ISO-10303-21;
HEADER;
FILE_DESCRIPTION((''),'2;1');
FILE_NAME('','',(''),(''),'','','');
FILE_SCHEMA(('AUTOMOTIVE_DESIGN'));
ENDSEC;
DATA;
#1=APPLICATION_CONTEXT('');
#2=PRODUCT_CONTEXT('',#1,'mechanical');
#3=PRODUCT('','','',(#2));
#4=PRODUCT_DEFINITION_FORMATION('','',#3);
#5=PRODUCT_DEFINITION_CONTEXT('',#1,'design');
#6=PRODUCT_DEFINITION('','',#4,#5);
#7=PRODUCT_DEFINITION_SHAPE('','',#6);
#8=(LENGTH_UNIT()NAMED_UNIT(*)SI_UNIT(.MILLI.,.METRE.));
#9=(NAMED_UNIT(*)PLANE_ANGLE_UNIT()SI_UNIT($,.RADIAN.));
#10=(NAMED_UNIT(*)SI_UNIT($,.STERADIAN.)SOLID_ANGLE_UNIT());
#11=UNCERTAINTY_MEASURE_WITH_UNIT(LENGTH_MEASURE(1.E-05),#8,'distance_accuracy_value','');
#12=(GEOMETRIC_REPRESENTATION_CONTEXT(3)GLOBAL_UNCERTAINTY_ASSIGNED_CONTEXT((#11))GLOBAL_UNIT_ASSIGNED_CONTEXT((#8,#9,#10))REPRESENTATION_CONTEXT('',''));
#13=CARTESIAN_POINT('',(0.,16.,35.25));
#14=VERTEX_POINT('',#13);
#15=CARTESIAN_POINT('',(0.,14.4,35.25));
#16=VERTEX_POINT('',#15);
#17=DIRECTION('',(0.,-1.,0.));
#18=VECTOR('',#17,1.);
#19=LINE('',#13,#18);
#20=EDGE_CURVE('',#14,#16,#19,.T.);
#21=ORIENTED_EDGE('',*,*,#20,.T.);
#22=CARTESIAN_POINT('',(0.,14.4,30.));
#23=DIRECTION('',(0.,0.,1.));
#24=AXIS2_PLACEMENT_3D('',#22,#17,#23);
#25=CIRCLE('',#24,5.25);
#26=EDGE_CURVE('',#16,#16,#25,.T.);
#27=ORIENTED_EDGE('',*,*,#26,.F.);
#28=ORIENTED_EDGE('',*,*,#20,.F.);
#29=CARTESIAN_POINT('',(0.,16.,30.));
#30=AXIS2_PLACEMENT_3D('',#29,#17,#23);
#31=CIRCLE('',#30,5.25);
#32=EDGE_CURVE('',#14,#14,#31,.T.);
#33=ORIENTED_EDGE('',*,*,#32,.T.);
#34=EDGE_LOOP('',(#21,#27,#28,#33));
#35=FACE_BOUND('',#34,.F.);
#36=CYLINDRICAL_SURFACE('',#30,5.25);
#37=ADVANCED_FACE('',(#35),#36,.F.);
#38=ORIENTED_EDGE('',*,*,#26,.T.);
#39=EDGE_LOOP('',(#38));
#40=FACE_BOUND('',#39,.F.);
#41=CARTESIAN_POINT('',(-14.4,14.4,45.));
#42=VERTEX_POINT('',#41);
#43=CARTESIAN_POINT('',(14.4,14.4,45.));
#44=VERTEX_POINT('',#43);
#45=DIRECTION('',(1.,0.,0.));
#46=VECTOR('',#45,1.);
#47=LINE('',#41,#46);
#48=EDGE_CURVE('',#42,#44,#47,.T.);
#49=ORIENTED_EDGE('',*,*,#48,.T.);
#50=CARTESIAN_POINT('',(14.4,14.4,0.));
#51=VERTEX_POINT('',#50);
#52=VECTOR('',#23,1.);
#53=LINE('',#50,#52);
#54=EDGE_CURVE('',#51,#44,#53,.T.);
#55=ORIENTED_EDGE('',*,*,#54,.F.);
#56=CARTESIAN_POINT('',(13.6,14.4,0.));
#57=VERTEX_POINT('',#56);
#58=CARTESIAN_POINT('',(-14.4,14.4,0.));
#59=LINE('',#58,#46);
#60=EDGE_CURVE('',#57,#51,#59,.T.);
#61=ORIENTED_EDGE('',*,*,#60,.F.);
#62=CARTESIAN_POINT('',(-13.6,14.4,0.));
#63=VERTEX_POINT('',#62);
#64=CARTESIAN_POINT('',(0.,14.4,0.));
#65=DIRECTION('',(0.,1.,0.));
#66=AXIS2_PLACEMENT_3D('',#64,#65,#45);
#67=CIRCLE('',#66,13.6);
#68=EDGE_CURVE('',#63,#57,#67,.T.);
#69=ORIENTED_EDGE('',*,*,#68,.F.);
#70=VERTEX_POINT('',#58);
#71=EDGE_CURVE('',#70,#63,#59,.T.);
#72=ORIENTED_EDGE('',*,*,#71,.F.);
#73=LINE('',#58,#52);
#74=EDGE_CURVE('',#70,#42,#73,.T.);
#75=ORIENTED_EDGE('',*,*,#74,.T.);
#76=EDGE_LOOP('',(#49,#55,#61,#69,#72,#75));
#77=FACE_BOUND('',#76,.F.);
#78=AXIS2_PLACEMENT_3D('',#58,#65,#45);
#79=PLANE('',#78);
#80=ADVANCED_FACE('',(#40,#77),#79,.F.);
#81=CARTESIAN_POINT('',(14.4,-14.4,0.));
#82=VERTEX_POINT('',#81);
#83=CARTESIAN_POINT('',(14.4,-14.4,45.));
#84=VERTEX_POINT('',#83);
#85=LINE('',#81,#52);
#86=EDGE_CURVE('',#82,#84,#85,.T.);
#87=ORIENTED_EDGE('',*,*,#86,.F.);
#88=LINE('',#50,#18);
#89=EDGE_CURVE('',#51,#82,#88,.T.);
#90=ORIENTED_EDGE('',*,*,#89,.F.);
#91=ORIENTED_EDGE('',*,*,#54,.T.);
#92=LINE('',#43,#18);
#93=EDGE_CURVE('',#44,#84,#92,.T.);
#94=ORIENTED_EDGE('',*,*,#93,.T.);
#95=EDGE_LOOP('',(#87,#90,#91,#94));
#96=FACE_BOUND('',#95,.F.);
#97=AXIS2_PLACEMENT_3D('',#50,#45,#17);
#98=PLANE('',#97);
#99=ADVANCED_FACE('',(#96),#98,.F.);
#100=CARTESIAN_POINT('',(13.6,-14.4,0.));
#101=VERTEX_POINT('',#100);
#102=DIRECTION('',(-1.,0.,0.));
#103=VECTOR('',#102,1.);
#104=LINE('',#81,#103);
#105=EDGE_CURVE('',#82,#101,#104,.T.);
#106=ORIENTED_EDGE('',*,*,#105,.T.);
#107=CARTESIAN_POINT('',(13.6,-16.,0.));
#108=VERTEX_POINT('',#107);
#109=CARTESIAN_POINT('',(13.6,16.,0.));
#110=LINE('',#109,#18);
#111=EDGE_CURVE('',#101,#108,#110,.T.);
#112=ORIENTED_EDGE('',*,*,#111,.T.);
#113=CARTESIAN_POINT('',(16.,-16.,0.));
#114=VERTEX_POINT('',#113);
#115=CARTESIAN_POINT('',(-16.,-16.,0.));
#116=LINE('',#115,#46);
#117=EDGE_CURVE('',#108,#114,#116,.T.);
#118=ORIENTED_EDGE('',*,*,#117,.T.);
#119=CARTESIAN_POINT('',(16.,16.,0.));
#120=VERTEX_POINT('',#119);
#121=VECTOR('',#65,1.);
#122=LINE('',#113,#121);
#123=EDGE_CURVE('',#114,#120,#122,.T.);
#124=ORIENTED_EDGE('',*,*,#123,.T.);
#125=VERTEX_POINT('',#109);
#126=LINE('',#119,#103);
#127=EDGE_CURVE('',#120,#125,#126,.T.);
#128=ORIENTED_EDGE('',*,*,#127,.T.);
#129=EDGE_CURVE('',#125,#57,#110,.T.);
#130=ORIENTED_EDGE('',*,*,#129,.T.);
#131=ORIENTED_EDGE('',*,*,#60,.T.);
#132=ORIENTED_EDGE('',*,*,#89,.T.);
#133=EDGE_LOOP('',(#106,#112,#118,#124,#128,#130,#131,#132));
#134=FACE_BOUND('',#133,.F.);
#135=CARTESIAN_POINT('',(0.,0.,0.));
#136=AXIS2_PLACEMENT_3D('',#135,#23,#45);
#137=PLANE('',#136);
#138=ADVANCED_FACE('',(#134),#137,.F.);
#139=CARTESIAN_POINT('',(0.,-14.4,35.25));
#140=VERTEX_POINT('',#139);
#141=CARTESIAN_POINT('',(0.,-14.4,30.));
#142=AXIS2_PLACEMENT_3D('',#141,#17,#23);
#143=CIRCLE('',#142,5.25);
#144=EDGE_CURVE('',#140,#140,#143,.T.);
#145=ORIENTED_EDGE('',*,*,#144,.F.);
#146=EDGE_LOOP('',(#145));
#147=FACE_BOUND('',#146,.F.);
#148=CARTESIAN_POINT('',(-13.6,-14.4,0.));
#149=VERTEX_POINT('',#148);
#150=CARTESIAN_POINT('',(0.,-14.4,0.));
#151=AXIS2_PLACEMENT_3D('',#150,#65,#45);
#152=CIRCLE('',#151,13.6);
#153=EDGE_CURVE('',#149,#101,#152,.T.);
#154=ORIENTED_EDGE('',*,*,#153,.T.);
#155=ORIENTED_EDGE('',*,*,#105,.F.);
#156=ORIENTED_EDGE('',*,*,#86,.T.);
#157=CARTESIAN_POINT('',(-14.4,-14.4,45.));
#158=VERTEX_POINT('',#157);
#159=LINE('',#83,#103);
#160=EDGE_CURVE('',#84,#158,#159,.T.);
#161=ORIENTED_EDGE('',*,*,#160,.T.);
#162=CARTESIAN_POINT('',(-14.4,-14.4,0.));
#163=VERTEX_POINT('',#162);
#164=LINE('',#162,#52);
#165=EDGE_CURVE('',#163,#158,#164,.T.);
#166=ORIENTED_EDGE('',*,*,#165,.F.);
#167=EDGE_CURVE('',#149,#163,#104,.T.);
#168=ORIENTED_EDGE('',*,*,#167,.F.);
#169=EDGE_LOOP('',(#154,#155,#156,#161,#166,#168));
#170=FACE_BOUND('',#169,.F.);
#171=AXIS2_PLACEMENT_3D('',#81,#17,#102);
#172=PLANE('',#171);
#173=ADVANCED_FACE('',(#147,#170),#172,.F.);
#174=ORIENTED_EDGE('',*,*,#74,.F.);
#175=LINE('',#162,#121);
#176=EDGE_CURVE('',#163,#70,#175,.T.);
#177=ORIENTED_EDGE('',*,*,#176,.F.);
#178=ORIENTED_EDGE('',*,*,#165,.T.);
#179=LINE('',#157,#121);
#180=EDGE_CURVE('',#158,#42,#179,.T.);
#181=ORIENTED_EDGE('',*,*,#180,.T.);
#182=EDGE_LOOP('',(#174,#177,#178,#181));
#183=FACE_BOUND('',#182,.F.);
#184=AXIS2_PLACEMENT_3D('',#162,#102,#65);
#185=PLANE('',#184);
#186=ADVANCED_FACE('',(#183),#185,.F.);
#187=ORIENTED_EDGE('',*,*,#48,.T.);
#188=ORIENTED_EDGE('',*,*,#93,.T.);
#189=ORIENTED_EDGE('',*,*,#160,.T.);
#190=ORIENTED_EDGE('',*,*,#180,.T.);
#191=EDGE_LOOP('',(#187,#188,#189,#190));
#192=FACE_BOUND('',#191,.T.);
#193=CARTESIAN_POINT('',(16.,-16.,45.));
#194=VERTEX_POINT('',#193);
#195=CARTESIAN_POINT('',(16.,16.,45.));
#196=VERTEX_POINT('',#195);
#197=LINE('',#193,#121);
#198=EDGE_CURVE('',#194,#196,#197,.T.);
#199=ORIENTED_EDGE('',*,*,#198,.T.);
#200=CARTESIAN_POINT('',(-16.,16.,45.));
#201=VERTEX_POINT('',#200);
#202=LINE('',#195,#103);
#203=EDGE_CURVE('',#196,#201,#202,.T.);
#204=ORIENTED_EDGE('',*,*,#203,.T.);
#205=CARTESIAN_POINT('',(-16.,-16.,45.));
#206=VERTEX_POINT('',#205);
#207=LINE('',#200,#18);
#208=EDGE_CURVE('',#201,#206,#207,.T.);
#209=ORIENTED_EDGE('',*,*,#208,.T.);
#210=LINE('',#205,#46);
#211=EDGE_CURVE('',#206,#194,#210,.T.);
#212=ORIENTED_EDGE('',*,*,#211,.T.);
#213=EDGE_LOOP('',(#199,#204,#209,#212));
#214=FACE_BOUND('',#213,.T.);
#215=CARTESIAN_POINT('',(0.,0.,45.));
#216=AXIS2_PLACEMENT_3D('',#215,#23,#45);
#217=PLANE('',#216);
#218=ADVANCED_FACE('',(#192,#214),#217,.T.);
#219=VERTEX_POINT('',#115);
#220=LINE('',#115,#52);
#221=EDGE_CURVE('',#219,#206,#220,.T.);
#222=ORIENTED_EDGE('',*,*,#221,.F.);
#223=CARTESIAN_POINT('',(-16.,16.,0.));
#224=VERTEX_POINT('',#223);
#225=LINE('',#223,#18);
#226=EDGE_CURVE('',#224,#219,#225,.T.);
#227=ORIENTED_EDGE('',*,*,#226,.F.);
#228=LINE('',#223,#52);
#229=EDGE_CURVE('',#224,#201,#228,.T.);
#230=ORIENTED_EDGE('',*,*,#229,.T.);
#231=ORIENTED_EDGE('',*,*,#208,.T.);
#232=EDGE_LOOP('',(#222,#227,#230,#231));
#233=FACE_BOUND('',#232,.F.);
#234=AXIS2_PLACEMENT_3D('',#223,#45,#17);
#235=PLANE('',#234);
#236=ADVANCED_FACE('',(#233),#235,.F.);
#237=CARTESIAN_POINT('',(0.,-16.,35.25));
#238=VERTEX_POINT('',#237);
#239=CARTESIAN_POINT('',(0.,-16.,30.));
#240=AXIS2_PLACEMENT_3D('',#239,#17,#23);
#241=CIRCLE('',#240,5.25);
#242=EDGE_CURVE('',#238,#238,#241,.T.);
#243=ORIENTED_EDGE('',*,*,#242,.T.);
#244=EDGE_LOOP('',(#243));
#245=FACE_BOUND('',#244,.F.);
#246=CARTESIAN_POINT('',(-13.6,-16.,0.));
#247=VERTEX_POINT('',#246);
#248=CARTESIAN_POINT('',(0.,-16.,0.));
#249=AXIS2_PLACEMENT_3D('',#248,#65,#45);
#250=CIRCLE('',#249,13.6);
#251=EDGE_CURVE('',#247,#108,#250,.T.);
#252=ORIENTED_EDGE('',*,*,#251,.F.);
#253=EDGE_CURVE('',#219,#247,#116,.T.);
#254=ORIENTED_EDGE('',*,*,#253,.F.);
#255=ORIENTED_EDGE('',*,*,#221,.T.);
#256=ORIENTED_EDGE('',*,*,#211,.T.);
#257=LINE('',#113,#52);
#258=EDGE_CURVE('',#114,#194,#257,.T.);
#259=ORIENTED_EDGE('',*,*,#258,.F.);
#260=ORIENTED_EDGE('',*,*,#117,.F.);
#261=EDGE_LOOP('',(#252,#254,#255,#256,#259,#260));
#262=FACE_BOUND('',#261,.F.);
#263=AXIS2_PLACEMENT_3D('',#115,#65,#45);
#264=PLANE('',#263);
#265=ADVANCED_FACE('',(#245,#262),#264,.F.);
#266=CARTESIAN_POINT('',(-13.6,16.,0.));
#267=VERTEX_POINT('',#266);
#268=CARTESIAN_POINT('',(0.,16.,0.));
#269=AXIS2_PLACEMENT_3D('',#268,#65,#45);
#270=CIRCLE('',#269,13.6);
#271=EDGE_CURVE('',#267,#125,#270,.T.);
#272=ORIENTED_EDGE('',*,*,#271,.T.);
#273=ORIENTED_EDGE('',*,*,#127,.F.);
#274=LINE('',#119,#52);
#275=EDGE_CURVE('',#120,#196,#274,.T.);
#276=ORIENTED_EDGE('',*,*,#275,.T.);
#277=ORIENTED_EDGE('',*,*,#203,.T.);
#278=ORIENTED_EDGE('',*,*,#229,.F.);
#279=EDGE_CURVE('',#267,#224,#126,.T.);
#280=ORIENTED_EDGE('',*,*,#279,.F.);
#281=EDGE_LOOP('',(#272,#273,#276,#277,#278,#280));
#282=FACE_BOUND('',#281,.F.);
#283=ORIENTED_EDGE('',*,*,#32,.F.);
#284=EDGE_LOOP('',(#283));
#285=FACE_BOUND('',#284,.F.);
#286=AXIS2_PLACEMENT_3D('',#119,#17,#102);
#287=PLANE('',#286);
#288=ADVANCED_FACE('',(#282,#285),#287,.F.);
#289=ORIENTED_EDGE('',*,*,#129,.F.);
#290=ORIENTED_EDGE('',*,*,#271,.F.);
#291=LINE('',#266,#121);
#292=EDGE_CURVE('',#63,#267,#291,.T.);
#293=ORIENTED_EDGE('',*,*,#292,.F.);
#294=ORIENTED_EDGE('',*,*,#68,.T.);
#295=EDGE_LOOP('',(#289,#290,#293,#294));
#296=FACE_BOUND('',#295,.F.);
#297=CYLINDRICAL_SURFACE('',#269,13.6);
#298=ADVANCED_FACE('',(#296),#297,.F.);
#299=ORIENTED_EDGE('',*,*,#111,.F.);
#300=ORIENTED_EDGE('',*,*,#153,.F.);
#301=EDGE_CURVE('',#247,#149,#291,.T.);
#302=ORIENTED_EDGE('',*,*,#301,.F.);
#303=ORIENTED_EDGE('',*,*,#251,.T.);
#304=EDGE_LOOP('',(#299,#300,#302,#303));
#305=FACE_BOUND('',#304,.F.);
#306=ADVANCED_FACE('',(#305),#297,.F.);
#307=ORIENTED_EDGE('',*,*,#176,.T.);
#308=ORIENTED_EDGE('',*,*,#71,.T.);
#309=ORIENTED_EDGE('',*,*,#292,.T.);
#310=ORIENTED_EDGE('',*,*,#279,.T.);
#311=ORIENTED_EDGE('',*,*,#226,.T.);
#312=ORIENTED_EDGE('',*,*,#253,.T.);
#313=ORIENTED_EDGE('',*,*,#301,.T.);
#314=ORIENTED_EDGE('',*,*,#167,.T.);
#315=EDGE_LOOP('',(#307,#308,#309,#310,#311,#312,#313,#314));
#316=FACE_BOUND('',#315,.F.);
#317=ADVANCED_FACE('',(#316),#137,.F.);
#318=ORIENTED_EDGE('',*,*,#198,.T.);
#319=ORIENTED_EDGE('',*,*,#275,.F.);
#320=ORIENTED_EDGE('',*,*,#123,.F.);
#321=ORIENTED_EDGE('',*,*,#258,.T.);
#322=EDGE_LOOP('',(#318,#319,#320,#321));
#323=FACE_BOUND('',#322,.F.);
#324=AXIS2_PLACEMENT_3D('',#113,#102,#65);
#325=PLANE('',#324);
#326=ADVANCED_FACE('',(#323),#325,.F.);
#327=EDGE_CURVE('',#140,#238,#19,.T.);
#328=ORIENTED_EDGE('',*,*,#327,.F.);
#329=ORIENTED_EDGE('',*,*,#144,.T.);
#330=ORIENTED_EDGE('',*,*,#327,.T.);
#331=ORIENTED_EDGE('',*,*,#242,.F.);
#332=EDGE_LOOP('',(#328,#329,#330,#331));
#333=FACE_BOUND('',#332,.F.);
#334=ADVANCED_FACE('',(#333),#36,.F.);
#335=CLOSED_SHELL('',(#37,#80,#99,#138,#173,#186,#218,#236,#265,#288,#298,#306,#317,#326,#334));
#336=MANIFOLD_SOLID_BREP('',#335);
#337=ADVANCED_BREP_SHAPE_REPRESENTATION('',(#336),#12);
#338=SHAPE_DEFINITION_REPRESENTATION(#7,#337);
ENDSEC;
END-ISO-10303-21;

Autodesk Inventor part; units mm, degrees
ref_plane "YZ Plane" through (0, 0, 0) normal (1, 0, 0) x (0, 1, 0)
ref_plane "XZ Plane" through (0, 0, 0) normal (0, 1, 0) x (-1, 0, 0)
ref_plane "XY Plane" through (0, 0, 0) normal (0, 0, 1) x (1, 0, 0)
sketch "スケッチ1" plane through (0, 0, 0) normal (0, 0, 1) x (1, 0, 0)
  line L0 (-16, -16) -> (16, -16)
  line L1 (16, -16) -> (16, 16)
  line L2 (16, 16) -> (-16, 16)
  line L3 (-16, 16) -> (-16, -16)
  line L4 (-16, -16) -> (16, 16) construction
  line L5 (16, -16) -> (-16, 16) construction
  line L6 (-14.4, 14.4) -> (14.4, 14.4)
  line L7 (14.4, 14.4) -> (14.4, -14.4)
  line L8 (14.4, -14.4) -> (-14.4, -14.4)
  line L9 (-14.4, -14.4) -> (-14.4, 14.4)
  point P0 (0, 0)
  dimension "d0" = 32
  dimension "d1" = 32
  dimension "d2" = 1.6
extrude "押し出し1" add sketch "スケッチ1" along normal blind 45
sketch "スケッチ2" plane through (-16, 16, 0) normal (0, 1, 0) x (1, 0, 0)
  circle A0 centre (16, 0) radius 13.6
  dimension "d5" = 27.2
extrude "押し出し2" cut sketch "スケッチ2" against normal blind 32
sketch "スケッチ3" plane through (-16, 16, 45) normal (0, 1, 0) x (1, 0, 0)
  line L0 (32, 0) -> (0, 0) projected
  point P0 (16, 45)
  point P1 (16, 15)
  dimension "d16" = 30
hole "穴1" at (0, 16, 30) direction (0, -1, 0) diameter 10.5 end through all
properties part number "軸受上用"
